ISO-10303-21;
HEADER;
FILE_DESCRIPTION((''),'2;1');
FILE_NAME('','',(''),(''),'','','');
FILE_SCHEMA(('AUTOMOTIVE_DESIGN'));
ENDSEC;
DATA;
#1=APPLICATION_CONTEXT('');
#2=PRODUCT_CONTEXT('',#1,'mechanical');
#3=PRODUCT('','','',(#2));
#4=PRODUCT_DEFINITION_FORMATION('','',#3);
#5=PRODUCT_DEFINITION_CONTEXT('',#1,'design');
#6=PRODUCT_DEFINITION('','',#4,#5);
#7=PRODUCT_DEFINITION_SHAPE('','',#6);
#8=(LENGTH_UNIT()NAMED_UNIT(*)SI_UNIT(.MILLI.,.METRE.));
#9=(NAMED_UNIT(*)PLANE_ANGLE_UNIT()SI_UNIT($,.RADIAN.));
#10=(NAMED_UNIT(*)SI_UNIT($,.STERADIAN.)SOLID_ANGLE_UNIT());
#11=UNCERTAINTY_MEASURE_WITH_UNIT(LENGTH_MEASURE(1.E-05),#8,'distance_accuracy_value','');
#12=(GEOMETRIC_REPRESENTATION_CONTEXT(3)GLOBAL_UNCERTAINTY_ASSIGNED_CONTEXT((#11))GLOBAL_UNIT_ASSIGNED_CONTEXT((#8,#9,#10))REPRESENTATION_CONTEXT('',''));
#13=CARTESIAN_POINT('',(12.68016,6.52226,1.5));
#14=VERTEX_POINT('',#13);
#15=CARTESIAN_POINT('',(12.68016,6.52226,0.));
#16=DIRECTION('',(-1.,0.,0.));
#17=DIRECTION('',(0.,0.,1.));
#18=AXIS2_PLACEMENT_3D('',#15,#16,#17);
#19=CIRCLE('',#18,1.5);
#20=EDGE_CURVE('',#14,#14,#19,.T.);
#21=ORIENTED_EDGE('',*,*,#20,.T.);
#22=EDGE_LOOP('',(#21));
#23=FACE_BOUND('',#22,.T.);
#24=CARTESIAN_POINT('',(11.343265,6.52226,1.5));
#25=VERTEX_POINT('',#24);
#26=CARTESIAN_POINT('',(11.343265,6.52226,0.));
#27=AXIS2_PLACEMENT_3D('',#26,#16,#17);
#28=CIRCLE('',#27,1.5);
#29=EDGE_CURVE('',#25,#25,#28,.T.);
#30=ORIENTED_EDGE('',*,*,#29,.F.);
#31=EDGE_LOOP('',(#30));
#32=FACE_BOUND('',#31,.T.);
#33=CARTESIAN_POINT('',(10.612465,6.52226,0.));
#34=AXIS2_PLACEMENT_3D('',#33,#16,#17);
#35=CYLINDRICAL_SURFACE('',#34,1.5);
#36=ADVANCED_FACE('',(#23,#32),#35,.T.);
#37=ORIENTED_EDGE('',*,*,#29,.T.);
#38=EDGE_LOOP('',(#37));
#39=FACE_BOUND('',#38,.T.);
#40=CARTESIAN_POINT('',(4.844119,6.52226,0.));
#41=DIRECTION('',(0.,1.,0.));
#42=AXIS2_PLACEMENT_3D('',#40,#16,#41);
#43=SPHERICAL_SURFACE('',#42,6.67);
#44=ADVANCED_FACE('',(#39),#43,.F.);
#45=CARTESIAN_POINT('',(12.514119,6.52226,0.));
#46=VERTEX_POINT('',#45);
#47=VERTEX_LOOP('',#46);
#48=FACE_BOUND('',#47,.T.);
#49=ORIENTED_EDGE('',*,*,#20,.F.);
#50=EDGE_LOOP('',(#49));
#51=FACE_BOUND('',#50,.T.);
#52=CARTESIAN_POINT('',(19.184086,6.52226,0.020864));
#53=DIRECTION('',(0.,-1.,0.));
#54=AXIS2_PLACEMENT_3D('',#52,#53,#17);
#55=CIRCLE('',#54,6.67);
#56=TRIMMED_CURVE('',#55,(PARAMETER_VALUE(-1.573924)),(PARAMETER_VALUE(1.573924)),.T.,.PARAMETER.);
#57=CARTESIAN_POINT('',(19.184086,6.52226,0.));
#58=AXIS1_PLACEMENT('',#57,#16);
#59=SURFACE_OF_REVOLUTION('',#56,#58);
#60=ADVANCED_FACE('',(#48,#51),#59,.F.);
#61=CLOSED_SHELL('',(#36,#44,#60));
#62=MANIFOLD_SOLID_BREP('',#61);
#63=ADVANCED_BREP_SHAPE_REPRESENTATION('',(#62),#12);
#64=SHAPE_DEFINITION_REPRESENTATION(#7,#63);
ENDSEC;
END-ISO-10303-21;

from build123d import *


with BuildPart() as part:
    # 草图1 → 旋转1 (revolve)
    with BuildSketch(Plane.XY, mode=Mode.PRIVATE) as revolve_1_sk:
        with BuildLine():
            Line((12.514118604, 6.522260287), (11.514118604, 6.522260287))
            ThreePointArc((11.514118604, 6.522260287), (11.47126748, 7.277109785), (11.343264701, 8.022260287))
            Line((11.343264701, 8.022260287), (12.014118604, 8.022260287))
            Line((12.014118604, 8.022260287), (12.680159624, 8.022260287))
            ThreePointArc((12.680159624, 8.022260287), (12.554578531, 7.276971489), (12.514118604, 6.522260287))
        make_face()
    revolve(revolve_1_sk.sketch.rotate(Axis((10.612465279, 6.522260287, 0), (1, 0, 0)), 90), axis=Axis((10.612465279, 6.522260287, 0), (1, 0, 0)))  # turned: the seam where the file's is


solid = part.part
